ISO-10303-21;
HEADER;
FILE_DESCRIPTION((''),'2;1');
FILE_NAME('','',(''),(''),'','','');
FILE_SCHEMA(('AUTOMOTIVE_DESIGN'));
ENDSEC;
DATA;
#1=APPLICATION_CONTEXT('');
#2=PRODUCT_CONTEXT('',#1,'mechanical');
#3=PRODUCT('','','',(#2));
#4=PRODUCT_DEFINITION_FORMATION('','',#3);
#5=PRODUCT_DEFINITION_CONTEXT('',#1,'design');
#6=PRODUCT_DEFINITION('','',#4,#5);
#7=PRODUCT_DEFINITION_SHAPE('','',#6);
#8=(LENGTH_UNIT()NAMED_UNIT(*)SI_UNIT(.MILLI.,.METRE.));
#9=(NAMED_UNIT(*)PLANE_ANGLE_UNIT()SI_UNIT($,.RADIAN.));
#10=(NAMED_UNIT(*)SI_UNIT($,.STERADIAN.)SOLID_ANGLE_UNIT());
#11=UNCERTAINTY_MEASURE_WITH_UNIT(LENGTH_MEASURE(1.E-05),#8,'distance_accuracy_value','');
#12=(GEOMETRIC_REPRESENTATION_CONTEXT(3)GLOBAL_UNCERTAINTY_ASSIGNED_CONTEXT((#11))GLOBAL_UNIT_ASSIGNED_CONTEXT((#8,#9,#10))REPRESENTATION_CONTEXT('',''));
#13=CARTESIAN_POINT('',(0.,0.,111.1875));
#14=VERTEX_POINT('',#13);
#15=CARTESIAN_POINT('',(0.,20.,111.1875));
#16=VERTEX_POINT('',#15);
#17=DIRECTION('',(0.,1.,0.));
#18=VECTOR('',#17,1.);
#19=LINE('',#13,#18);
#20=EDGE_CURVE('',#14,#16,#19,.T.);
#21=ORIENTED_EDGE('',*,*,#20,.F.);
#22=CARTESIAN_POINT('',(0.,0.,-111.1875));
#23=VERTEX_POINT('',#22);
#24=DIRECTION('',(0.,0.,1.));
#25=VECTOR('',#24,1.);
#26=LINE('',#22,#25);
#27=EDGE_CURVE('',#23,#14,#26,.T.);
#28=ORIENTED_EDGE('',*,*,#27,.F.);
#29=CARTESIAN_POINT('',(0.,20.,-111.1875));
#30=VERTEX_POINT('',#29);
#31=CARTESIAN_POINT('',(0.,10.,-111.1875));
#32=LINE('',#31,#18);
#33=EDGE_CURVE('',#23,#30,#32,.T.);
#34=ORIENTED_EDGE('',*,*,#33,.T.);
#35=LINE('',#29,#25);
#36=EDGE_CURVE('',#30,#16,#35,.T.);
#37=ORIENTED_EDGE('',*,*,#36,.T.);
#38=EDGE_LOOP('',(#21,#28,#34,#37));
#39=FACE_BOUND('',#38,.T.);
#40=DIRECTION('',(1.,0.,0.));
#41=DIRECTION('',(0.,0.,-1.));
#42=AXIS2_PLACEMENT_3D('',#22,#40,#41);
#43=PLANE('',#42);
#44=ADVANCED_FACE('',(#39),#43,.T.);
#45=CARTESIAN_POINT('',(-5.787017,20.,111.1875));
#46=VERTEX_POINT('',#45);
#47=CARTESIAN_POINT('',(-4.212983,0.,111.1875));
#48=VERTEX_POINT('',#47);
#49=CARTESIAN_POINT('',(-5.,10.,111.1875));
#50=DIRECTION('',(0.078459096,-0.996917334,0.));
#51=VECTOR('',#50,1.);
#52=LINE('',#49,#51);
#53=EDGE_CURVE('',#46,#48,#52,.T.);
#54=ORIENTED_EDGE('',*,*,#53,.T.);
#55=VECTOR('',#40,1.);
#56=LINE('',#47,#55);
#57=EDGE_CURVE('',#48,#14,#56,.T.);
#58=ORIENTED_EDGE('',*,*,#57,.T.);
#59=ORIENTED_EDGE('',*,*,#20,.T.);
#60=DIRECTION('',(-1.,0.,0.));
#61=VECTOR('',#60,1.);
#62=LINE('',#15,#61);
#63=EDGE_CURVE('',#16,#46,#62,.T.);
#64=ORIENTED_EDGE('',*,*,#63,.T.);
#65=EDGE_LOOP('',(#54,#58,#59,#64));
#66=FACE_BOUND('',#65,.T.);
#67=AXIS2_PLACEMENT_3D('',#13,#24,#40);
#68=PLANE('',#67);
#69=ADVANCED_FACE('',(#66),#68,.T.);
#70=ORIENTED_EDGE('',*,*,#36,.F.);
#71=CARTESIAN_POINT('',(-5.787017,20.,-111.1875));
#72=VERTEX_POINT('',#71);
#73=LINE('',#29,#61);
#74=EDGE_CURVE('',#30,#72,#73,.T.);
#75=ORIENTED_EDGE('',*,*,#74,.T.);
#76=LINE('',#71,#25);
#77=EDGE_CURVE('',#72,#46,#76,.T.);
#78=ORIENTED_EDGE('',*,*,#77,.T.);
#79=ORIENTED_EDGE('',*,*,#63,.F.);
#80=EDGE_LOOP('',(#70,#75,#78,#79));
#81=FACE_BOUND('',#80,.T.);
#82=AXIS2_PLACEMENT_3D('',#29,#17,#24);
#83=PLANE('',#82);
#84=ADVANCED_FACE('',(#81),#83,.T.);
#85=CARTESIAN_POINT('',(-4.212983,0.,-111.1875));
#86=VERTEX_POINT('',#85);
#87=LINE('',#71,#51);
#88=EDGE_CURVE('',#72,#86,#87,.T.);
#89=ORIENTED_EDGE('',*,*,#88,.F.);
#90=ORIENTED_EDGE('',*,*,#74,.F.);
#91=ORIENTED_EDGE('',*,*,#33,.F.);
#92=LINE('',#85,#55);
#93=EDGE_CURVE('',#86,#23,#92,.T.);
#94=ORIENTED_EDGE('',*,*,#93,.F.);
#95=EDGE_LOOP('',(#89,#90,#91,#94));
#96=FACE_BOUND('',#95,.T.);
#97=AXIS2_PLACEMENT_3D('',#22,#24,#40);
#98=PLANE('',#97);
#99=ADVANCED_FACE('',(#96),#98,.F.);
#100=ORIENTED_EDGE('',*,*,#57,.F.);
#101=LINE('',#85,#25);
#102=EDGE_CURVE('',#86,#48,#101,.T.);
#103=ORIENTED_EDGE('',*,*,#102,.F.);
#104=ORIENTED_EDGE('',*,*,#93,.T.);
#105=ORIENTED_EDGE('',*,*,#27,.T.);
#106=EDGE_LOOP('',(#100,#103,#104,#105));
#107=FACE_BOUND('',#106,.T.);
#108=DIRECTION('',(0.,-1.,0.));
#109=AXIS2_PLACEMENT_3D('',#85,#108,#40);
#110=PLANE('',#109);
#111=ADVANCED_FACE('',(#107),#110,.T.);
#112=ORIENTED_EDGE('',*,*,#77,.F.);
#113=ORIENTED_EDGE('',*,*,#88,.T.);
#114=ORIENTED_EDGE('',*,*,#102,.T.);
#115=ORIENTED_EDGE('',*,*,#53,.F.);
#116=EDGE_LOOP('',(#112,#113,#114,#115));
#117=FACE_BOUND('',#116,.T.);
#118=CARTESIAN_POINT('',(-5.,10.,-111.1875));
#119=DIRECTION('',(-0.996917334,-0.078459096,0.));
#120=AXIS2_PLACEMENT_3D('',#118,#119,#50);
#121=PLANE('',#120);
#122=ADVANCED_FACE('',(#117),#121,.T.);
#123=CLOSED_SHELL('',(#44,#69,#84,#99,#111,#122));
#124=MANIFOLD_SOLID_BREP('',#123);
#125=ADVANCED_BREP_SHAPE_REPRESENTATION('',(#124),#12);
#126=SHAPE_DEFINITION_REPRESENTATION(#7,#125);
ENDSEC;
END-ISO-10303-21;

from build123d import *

# Parameters (mm, degrees)
BOSS_EXTRUDE1_DEPTH = 111.1875


with BuildPart() as part:
    # Sketch1 → Boss-Extrude1 (new, symmetric)
    with BuildSketch(Plane.XY):
        Polygon((-5, 10), (-4.212982932, 0), (0, 0), (0, 10), (0, 20), (-5.787017068, 20), align=None)
    extrude(amount=BOSS_EXTRUDE1_DEPTH, both=True)


solid = part.part
